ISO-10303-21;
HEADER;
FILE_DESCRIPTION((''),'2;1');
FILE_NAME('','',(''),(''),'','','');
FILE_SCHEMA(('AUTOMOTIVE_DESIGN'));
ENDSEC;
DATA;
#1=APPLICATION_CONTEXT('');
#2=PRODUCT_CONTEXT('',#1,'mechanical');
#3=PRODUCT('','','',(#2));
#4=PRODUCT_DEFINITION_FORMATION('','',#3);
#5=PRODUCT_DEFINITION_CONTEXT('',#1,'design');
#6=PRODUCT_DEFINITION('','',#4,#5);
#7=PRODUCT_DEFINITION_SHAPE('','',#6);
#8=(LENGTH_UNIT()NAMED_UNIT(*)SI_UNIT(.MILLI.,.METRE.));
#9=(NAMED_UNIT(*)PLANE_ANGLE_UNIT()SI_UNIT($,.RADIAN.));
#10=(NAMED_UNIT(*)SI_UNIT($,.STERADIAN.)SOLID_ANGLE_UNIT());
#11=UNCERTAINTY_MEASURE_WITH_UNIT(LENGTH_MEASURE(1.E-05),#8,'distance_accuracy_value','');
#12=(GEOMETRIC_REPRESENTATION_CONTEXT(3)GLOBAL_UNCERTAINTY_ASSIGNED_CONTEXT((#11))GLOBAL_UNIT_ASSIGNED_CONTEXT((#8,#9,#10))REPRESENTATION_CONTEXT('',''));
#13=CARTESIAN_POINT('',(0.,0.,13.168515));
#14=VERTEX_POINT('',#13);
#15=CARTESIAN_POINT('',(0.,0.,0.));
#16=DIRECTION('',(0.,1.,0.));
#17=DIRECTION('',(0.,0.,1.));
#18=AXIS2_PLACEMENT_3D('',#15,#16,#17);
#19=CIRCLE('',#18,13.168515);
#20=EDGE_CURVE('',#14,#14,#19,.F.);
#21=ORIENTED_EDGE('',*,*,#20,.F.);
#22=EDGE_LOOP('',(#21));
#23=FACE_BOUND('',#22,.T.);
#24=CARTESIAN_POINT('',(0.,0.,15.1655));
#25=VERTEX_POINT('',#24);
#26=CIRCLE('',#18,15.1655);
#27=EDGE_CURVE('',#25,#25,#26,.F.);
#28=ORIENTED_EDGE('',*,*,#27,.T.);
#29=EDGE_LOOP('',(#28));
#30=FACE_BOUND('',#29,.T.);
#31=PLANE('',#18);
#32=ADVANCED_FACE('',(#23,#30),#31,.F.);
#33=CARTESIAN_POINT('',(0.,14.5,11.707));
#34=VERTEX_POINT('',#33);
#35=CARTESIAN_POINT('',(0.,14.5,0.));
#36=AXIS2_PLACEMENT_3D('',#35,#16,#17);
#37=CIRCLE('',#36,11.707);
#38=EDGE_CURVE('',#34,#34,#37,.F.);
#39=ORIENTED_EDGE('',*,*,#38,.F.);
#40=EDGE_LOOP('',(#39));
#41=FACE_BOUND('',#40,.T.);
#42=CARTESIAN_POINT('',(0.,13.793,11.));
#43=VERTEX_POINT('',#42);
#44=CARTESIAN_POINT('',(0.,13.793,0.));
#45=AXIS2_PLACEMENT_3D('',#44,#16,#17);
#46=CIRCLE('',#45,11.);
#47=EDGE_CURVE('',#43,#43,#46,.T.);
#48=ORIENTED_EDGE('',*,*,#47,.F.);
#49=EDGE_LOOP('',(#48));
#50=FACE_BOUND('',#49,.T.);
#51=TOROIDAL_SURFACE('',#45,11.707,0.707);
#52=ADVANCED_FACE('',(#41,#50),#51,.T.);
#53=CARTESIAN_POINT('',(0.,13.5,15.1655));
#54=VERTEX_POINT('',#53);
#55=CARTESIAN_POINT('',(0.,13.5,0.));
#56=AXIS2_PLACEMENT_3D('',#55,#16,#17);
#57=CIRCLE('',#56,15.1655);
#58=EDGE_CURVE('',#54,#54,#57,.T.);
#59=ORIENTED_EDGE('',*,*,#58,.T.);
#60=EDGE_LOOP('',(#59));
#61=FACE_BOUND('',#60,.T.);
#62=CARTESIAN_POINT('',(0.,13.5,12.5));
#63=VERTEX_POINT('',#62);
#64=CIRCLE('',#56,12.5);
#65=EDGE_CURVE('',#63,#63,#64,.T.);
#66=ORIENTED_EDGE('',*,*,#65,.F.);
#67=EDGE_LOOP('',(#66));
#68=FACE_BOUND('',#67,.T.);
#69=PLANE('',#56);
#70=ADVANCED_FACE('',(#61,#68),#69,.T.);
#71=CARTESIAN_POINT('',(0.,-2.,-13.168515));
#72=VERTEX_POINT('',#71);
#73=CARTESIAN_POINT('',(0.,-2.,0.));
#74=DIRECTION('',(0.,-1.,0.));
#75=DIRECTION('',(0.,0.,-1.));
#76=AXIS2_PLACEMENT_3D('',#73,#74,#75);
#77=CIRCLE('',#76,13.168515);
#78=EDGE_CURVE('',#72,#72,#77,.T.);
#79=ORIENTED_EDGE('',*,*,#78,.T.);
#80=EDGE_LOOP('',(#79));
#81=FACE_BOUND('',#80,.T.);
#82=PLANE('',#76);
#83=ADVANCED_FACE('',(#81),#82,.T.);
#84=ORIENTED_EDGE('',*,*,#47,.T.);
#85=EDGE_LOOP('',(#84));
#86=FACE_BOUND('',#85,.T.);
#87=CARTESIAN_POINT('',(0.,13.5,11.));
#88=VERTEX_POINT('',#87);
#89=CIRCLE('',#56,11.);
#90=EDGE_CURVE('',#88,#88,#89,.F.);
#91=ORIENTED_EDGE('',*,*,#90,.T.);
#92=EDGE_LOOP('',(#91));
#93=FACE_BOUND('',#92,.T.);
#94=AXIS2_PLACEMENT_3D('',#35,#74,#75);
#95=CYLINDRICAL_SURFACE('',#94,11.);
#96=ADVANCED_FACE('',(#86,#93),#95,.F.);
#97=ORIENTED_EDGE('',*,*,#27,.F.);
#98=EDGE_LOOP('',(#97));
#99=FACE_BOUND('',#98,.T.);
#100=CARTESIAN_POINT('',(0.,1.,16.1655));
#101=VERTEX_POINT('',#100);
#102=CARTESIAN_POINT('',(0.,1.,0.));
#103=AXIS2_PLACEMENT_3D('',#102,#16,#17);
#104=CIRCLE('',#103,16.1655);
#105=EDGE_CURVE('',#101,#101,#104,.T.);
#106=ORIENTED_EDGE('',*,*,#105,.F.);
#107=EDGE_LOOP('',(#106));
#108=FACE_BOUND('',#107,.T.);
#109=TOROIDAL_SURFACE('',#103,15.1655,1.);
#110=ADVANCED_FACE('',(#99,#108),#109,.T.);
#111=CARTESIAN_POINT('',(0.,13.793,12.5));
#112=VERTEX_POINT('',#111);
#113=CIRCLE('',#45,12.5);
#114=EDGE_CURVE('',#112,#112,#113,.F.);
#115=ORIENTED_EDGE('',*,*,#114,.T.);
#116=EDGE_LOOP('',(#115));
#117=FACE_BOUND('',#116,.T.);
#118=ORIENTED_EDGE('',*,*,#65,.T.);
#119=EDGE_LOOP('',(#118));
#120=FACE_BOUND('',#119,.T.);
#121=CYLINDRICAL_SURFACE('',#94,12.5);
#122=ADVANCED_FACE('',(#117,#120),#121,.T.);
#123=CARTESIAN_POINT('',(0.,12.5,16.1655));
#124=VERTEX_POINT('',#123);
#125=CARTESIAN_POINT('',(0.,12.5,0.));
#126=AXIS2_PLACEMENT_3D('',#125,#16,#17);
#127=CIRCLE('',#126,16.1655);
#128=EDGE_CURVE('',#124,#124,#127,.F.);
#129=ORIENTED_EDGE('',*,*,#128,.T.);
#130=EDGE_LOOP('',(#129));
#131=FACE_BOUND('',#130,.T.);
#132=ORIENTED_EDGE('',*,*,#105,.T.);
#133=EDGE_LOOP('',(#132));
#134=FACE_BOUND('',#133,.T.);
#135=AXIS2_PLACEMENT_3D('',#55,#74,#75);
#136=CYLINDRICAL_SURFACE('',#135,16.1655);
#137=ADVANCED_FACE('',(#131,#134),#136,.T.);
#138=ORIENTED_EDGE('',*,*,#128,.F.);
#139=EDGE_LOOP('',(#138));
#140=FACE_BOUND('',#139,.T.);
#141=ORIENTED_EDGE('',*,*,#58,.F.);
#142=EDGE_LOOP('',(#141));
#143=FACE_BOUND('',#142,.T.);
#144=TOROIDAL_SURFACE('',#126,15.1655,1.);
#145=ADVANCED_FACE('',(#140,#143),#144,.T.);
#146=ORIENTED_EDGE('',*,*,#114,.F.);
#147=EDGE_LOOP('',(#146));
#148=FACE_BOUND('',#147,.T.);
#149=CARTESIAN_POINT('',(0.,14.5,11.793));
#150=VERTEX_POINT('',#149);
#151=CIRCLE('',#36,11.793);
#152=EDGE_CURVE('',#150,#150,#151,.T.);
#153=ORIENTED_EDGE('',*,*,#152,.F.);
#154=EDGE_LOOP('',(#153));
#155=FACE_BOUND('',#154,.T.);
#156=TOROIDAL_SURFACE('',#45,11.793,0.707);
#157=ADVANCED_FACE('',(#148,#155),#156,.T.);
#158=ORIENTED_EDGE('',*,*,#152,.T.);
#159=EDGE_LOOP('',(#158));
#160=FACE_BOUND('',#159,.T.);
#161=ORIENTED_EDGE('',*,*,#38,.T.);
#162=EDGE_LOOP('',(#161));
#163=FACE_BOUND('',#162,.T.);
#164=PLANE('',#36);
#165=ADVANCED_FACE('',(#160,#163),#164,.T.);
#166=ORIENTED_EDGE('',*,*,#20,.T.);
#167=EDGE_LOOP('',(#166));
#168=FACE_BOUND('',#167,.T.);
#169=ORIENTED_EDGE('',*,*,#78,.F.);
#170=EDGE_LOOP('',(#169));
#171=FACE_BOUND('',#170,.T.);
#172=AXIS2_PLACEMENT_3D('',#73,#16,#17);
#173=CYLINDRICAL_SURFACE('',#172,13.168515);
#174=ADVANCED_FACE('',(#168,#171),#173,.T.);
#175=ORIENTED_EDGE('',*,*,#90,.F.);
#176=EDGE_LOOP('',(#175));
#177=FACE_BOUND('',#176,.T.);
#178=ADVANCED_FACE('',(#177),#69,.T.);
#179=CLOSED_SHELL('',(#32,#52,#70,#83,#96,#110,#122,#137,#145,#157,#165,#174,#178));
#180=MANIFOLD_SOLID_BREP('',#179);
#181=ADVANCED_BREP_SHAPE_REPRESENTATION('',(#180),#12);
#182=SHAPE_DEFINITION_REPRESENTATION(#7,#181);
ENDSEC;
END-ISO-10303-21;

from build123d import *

# Parameters (mm, degrees)
SKETCH1_R           = 16.1655
BOSS_EXTRUDE1_DEPTH = 13.5
FILLET1_R           = 1
SKETCH2_R           = 12.5
SKETCH2_R_2         = 11
BOSS_EXTRUDE2_DEPTH = 1
FILLET4_R           = 0.707
SKETCH3_R           = 13.168514768
BOSS_EXTRUDE3_DEPTH = 2


with BuildPart() as part:
    # Sketch1 → Boss-Extrude1 (new body)
    with BuildSketch(Plane(origin=(0, 0, 0), x_dir=(1, 0, 0), z_dir=(0, 1, 0))):
        Circle(SKETCH1_R)
    extrude(amount=BOSS_EXTRUDE1_DEPTH)

    # Fillet1
    fillet1_edges = [part.edges().sort_by_distance(p)[0] for p in [
        (-16.1655, 0, 0),
        (-16.1655, 13.5, 0),
    ]]
    fillet(fillet1_edges, radius=FILLET1_R)

    # Sketch2 → Boss-Extrude2 (add)
    with BuildSketch(Plane(origin=(0, 13.5, 0), x_dir=(1, 0, 0), z_dir=(0, 1, 0))):
        Circle(SKETCH2_R)
        Circle(SKETCH2_R_2, mode=Mode.SUBTRACT)
    extrude(amount=BOSS_EXTRUDE2_DEPTH)

    # Fillet4
    fillet4_edges = [part.edges().sort_by_distance(p)[0] for p in [
        (-12.5, 14.5, 0),
        (-11, 14.5, 0),
    ]]
    fillet(fillet4_edges, radius=FILLET4_R)

    # Sketch3 → Boss-Extrude3 (add)
    with BuildSketch(Plane.XZ):
        Circle(SKETCH3_R)
    extrude(amount=BOSS_EXTRUDE3_DEPTH)


solid = part.part
